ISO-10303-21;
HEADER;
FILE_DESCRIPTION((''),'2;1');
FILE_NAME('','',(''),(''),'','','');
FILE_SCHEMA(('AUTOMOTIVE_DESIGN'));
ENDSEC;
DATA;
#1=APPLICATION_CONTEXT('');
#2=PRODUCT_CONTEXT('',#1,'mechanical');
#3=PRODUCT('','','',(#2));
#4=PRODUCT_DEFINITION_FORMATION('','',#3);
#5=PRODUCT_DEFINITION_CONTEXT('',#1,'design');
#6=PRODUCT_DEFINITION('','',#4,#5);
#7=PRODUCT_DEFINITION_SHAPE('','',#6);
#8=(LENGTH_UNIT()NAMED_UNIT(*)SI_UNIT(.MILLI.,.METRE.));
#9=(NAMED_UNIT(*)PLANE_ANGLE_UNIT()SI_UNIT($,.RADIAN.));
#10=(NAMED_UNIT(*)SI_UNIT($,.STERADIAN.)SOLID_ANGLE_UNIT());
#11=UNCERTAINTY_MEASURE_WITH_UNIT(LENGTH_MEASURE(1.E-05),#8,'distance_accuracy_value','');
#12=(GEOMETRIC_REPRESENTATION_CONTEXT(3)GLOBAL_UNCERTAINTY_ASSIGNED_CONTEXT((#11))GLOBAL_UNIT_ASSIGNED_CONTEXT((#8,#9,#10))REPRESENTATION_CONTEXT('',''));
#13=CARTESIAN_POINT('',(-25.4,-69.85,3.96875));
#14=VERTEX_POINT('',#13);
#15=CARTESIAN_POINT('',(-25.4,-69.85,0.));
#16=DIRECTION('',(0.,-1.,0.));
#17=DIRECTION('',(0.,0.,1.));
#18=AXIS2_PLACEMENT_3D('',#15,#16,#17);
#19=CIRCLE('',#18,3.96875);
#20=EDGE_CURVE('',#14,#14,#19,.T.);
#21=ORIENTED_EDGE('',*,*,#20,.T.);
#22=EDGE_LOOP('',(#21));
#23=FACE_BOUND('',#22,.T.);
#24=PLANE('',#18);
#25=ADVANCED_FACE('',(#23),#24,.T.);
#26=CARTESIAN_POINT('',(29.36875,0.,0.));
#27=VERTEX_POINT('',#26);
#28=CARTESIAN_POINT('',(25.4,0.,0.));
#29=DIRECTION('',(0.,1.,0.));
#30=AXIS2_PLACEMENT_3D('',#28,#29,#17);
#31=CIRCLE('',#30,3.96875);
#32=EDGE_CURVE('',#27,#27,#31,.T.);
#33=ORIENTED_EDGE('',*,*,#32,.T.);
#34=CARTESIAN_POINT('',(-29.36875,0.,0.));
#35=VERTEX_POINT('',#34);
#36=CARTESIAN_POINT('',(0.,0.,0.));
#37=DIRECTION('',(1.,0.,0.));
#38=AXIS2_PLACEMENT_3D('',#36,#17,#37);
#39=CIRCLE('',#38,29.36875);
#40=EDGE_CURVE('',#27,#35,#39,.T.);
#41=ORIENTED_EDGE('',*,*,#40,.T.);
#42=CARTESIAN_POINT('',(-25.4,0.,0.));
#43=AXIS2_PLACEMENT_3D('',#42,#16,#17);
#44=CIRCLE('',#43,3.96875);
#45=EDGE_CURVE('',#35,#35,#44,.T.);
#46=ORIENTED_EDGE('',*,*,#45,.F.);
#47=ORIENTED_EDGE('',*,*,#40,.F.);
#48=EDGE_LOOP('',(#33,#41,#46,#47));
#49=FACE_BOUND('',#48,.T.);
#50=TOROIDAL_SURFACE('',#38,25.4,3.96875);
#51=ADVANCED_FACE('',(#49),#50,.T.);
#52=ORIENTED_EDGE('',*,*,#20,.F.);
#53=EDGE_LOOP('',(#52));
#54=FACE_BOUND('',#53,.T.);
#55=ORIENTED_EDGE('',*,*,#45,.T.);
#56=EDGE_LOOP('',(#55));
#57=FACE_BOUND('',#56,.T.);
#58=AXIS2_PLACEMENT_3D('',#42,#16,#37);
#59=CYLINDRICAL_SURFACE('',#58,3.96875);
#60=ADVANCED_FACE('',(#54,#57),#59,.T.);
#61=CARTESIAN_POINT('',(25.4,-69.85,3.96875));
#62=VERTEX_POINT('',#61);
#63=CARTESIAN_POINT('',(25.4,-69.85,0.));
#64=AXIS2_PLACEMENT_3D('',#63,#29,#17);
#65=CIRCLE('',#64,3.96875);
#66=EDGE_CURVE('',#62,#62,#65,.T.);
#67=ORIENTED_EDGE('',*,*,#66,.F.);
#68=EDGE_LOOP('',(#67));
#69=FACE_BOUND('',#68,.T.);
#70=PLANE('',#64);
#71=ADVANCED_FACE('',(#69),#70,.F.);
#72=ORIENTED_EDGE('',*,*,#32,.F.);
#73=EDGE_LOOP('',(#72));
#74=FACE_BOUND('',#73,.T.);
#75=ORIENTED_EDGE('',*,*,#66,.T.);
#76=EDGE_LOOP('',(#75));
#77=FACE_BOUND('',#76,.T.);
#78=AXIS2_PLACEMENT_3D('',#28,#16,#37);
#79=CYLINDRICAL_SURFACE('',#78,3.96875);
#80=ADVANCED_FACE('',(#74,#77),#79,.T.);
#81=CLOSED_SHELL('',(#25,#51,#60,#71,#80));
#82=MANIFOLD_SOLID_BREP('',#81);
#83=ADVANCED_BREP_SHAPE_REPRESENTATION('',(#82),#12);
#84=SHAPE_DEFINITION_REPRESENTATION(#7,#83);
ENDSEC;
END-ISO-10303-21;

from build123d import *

# Parameters (mm, degrees)
ESQUISSE4_R = 3.96875


with BuildPart() as part:
    # Balayage1: sweep along a path in Esquisse1
    with BuildLine(Plane.XY) as balayage1_path:
        Line((-25.4, -69.85), (-25.4, 0))
        ThreePointArc((-25.4, 0), (0, 25.4), (25.4, 0))
        Line((25.4, 0), (25.4, -69.85))
    # Esquisse4 → Balayage1 (sweep)
    with BuildSketch(Plane(origin=(0, -69.85, 0), x_dir=(-1, 0, 0), z_dir=(0, 1, 0))):
        with Locations((-25.4, 0)):
            Circle(ESQUISSE4_R)
    sweep(path=balayage1_path.line)


solid = part.part
